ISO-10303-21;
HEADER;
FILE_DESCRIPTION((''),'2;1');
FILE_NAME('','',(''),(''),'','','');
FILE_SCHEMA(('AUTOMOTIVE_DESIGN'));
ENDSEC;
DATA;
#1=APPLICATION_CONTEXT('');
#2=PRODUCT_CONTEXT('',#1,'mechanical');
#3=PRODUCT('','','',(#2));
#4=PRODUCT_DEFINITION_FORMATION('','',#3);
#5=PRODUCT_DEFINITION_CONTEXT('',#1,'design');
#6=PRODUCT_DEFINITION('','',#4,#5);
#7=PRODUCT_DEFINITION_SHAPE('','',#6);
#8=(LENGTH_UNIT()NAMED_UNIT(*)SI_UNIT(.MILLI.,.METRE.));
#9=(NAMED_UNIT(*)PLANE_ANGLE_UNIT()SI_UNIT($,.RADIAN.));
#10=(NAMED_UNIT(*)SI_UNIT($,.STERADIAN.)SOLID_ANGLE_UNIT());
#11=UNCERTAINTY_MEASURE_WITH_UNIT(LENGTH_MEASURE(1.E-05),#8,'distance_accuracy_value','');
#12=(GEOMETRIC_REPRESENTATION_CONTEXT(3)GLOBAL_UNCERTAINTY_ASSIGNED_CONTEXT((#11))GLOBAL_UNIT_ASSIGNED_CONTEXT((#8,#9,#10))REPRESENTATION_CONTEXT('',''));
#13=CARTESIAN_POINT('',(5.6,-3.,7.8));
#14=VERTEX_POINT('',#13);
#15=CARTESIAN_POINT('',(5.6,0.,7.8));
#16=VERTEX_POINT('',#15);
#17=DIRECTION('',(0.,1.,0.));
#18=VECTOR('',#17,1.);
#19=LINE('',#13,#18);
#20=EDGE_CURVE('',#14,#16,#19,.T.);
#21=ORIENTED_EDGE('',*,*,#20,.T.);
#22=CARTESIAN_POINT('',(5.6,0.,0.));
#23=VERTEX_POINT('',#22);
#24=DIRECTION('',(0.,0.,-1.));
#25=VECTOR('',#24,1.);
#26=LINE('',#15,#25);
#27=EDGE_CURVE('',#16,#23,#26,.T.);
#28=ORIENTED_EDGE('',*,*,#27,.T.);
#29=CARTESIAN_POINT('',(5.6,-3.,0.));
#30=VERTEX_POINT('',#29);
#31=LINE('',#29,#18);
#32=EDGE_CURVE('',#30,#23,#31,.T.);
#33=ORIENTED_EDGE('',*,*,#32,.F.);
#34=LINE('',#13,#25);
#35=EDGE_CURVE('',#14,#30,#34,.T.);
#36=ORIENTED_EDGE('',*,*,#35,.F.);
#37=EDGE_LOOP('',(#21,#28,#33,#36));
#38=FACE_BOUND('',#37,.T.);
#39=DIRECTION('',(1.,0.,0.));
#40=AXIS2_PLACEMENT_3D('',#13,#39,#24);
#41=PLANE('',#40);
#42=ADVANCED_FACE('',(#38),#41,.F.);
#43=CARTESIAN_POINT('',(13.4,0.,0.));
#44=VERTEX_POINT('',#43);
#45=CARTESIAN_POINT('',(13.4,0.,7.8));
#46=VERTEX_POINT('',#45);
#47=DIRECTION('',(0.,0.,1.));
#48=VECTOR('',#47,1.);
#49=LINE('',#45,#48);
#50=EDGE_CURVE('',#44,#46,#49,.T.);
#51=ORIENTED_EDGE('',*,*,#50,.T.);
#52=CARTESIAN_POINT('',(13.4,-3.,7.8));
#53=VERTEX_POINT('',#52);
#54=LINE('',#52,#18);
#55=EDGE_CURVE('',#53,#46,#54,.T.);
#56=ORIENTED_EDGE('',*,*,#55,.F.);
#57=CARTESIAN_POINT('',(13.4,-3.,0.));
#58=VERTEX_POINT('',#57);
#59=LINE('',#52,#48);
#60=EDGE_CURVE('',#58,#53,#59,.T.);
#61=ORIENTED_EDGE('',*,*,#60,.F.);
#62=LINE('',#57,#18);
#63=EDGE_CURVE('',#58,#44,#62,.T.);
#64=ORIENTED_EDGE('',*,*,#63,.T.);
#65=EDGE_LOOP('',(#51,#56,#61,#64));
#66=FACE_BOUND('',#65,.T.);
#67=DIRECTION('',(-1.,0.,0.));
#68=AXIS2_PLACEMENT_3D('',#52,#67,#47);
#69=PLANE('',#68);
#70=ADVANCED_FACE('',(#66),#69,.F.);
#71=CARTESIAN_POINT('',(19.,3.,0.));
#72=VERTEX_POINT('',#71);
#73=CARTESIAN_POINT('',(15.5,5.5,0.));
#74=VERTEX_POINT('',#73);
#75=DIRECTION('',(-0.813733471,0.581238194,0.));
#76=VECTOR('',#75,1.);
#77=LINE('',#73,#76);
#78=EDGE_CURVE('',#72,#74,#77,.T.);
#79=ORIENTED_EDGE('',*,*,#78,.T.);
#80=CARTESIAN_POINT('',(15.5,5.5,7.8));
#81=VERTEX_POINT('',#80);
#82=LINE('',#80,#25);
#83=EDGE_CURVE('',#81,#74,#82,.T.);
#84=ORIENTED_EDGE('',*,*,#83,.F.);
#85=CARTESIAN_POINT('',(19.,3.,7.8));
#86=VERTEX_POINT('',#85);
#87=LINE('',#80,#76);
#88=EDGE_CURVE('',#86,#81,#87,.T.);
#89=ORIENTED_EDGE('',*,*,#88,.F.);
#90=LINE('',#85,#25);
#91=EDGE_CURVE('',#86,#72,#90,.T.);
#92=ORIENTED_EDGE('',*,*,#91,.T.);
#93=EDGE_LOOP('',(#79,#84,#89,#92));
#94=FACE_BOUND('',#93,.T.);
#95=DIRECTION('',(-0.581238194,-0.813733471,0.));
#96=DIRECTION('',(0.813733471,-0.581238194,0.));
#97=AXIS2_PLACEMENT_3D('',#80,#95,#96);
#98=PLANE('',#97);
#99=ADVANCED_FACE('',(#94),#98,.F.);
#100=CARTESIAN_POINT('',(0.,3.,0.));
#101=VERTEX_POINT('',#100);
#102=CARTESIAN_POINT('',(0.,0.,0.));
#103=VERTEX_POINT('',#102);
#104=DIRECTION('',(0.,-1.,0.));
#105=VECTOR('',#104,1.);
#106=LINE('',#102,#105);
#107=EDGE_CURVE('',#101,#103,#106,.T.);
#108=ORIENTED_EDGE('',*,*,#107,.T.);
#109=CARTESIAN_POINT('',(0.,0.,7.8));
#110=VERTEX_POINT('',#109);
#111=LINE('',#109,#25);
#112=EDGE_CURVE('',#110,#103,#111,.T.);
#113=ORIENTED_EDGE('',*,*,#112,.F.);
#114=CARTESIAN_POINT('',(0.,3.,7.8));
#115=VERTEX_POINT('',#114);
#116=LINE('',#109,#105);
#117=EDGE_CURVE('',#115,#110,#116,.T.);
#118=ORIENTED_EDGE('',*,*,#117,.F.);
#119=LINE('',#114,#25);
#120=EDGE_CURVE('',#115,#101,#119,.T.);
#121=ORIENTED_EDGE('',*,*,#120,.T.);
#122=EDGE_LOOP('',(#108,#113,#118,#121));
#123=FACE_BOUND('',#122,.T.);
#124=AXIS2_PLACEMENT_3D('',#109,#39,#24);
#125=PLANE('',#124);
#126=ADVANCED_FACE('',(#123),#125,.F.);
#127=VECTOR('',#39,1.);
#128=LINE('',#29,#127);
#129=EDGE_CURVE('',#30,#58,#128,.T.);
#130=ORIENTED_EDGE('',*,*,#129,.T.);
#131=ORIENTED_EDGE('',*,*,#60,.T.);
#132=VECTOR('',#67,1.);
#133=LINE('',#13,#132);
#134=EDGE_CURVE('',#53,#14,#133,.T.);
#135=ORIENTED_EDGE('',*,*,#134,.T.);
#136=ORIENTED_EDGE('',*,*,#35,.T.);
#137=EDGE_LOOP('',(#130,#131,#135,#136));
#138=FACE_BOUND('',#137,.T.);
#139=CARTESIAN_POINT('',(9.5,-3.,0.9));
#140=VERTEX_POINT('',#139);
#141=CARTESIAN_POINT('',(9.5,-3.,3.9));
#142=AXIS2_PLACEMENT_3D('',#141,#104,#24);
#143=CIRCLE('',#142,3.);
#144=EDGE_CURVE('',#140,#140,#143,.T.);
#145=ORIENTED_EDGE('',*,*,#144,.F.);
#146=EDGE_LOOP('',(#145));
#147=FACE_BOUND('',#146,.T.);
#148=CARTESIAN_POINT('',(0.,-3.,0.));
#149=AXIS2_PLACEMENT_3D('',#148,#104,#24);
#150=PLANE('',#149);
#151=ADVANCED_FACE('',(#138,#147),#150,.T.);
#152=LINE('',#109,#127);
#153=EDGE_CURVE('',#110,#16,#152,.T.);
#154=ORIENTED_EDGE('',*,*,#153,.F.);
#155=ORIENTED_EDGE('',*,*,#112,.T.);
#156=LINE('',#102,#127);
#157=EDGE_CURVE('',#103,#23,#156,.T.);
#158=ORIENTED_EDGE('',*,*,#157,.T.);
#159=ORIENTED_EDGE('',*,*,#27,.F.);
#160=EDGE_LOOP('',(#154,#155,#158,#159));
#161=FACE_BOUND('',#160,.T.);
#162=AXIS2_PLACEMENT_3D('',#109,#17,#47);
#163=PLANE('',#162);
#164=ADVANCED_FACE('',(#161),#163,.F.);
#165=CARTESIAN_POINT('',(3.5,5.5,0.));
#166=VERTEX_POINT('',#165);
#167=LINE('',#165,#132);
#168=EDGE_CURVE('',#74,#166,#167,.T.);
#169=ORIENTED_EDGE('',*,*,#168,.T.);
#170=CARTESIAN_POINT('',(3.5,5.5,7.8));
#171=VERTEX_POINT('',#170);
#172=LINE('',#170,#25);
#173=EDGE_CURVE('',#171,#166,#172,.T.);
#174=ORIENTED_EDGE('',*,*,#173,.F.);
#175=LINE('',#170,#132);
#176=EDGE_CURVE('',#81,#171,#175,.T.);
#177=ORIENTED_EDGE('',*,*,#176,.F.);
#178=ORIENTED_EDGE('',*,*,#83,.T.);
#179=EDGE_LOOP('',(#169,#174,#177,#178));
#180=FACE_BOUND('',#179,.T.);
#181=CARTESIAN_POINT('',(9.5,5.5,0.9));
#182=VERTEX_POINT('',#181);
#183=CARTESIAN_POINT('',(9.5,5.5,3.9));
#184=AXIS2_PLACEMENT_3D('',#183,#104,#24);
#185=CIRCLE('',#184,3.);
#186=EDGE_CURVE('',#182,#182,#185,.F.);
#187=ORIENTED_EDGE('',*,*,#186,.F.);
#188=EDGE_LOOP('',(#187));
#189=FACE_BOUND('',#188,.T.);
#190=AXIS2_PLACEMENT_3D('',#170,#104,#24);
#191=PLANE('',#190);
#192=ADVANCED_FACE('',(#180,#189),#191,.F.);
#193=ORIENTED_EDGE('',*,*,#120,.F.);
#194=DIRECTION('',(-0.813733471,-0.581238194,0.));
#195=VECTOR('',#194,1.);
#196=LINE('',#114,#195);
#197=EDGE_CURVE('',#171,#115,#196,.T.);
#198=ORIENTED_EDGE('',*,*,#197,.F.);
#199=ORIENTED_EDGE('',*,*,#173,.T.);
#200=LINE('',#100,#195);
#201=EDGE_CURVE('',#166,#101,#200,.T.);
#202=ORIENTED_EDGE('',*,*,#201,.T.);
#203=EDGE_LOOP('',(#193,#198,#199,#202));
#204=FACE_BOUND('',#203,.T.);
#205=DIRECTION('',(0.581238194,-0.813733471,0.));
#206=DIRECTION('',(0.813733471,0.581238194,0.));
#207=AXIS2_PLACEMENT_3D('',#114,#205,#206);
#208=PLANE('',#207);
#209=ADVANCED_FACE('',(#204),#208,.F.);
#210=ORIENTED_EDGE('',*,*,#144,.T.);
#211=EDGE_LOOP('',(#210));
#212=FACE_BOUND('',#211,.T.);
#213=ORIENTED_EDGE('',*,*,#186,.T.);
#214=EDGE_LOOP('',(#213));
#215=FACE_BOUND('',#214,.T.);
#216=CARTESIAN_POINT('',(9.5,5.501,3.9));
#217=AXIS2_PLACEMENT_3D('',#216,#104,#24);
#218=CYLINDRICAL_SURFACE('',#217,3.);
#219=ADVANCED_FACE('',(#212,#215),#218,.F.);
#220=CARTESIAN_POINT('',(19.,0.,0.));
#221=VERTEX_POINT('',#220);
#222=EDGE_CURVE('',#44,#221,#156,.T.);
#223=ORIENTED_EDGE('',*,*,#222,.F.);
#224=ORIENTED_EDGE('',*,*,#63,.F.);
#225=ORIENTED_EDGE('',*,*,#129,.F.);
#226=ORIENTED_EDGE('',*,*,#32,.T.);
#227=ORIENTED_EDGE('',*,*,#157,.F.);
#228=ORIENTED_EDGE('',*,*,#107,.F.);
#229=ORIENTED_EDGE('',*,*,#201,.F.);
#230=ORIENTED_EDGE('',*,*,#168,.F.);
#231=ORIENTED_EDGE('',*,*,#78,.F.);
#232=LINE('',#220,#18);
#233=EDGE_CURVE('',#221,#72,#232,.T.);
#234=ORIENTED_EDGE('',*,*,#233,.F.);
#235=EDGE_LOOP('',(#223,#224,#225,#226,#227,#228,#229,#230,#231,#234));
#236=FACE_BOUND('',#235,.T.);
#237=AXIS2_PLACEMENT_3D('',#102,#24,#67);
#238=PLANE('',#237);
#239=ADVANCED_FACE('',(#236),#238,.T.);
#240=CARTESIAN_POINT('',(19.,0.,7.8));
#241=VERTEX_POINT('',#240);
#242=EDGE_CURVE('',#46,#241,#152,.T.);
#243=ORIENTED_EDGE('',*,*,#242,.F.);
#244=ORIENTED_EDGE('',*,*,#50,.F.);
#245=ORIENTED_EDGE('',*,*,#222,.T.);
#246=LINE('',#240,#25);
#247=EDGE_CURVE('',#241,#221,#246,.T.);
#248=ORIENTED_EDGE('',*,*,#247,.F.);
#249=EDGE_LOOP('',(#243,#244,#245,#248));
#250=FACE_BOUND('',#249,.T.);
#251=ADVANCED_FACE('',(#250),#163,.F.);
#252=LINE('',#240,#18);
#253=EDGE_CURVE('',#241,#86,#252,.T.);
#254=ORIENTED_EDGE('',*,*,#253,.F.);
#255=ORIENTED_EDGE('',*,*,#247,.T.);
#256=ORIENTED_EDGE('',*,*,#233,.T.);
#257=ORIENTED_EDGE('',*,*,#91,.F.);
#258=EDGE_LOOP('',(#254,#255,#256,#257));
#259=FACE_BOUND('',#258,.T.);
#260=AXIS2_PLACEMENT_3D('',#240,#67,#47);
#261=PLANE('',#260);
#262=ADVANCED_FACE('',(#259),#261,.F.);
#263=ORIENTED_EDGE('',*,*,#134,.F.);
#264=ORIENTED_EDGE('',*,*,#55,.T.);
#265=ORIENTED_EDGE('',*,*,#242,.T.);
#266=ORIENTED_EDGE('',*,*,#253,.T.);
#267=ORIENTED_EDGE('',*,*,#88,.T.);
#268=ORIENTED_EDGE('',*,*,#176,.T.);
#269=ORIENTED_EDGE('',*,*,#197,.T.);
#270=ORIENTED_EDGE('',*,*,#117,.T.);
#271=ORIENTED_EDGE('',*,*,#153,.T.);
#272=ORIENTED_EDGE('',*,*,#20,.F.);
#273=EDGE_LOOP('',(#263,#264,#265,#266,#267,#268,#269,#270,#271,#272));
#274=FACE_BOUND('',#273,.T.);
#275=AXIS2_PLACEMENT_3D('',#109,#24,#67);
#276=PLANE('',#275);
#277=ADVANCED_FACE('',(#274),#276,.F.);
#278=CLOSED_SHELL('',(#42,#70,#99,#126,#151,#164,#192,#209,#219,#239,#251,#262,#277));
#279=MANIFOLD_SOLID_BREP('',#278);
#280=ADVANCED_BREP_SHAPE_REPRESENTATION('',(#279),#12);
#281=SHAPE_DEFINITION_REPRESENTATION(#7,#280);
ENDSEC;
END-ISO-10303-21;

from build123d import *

# Parameters (mm, degrees)
EXTRUDE_2_DEPTH     = 7.8
SKETCH_3_W          = 7.8
SKETCH_3_H          = 7.8
EXTRUDE_3_DEPTH     = 3
CUT_EXTRUDE_1_REACH = 24.228
SKETCH_4_R          = 3


with BuildPart() as part:
    # 草图2 → 凸台-拉伸2 (new body)
    with BuildSketch(Plane.XY):
        Polygon((0, 0), (19, 0), (19, 3), (15.5, 5.5), (3.5, 5.5), (0, 3), align=None)
    extrude(amount=EXTRUDE_2_DEPTH)

    # 草图3 → 凸台-拉伸3 (add)
    with BuildSketch(Plane(origin=(0, 0, 0), x_dir=(-1, 0, 0), z_dir=(0, -1, 0))):
        with Locations((-9.5, -3.9)):
            Rectangle(SKETCH_3_W, SKETCH_3_H)
    extrude(amount=EXTRUDE_3_DEPTH)

    # 草图4 → 切除-拉伸1 (cut, up to next)
    with BuildSketch(Plane(origin=(0, -3, 0), x_dir=(-1, 0, 0), z_dir=(0, -1, 0)), mode=Mode.PRIVATE) as cut_extrude_1_sk1:
        with Locations(Location((-9.5, -3.9, 0), (0, 0, 90))):
            Circle(SKETCH_4_R)
    cut_extrude_1_tool1 = extrude(cut_extrude_1_sk1.sketch, amount=-CUT_EXTRUDE_1_REACH, mode=Mode.PRIVATE) & part.part
    add(cut_extrude_1_tool1.solids().sort_by_distance((9.5, -3, 3.9))[0], mode=Mode.SUBTRACT)


solid = part.part
